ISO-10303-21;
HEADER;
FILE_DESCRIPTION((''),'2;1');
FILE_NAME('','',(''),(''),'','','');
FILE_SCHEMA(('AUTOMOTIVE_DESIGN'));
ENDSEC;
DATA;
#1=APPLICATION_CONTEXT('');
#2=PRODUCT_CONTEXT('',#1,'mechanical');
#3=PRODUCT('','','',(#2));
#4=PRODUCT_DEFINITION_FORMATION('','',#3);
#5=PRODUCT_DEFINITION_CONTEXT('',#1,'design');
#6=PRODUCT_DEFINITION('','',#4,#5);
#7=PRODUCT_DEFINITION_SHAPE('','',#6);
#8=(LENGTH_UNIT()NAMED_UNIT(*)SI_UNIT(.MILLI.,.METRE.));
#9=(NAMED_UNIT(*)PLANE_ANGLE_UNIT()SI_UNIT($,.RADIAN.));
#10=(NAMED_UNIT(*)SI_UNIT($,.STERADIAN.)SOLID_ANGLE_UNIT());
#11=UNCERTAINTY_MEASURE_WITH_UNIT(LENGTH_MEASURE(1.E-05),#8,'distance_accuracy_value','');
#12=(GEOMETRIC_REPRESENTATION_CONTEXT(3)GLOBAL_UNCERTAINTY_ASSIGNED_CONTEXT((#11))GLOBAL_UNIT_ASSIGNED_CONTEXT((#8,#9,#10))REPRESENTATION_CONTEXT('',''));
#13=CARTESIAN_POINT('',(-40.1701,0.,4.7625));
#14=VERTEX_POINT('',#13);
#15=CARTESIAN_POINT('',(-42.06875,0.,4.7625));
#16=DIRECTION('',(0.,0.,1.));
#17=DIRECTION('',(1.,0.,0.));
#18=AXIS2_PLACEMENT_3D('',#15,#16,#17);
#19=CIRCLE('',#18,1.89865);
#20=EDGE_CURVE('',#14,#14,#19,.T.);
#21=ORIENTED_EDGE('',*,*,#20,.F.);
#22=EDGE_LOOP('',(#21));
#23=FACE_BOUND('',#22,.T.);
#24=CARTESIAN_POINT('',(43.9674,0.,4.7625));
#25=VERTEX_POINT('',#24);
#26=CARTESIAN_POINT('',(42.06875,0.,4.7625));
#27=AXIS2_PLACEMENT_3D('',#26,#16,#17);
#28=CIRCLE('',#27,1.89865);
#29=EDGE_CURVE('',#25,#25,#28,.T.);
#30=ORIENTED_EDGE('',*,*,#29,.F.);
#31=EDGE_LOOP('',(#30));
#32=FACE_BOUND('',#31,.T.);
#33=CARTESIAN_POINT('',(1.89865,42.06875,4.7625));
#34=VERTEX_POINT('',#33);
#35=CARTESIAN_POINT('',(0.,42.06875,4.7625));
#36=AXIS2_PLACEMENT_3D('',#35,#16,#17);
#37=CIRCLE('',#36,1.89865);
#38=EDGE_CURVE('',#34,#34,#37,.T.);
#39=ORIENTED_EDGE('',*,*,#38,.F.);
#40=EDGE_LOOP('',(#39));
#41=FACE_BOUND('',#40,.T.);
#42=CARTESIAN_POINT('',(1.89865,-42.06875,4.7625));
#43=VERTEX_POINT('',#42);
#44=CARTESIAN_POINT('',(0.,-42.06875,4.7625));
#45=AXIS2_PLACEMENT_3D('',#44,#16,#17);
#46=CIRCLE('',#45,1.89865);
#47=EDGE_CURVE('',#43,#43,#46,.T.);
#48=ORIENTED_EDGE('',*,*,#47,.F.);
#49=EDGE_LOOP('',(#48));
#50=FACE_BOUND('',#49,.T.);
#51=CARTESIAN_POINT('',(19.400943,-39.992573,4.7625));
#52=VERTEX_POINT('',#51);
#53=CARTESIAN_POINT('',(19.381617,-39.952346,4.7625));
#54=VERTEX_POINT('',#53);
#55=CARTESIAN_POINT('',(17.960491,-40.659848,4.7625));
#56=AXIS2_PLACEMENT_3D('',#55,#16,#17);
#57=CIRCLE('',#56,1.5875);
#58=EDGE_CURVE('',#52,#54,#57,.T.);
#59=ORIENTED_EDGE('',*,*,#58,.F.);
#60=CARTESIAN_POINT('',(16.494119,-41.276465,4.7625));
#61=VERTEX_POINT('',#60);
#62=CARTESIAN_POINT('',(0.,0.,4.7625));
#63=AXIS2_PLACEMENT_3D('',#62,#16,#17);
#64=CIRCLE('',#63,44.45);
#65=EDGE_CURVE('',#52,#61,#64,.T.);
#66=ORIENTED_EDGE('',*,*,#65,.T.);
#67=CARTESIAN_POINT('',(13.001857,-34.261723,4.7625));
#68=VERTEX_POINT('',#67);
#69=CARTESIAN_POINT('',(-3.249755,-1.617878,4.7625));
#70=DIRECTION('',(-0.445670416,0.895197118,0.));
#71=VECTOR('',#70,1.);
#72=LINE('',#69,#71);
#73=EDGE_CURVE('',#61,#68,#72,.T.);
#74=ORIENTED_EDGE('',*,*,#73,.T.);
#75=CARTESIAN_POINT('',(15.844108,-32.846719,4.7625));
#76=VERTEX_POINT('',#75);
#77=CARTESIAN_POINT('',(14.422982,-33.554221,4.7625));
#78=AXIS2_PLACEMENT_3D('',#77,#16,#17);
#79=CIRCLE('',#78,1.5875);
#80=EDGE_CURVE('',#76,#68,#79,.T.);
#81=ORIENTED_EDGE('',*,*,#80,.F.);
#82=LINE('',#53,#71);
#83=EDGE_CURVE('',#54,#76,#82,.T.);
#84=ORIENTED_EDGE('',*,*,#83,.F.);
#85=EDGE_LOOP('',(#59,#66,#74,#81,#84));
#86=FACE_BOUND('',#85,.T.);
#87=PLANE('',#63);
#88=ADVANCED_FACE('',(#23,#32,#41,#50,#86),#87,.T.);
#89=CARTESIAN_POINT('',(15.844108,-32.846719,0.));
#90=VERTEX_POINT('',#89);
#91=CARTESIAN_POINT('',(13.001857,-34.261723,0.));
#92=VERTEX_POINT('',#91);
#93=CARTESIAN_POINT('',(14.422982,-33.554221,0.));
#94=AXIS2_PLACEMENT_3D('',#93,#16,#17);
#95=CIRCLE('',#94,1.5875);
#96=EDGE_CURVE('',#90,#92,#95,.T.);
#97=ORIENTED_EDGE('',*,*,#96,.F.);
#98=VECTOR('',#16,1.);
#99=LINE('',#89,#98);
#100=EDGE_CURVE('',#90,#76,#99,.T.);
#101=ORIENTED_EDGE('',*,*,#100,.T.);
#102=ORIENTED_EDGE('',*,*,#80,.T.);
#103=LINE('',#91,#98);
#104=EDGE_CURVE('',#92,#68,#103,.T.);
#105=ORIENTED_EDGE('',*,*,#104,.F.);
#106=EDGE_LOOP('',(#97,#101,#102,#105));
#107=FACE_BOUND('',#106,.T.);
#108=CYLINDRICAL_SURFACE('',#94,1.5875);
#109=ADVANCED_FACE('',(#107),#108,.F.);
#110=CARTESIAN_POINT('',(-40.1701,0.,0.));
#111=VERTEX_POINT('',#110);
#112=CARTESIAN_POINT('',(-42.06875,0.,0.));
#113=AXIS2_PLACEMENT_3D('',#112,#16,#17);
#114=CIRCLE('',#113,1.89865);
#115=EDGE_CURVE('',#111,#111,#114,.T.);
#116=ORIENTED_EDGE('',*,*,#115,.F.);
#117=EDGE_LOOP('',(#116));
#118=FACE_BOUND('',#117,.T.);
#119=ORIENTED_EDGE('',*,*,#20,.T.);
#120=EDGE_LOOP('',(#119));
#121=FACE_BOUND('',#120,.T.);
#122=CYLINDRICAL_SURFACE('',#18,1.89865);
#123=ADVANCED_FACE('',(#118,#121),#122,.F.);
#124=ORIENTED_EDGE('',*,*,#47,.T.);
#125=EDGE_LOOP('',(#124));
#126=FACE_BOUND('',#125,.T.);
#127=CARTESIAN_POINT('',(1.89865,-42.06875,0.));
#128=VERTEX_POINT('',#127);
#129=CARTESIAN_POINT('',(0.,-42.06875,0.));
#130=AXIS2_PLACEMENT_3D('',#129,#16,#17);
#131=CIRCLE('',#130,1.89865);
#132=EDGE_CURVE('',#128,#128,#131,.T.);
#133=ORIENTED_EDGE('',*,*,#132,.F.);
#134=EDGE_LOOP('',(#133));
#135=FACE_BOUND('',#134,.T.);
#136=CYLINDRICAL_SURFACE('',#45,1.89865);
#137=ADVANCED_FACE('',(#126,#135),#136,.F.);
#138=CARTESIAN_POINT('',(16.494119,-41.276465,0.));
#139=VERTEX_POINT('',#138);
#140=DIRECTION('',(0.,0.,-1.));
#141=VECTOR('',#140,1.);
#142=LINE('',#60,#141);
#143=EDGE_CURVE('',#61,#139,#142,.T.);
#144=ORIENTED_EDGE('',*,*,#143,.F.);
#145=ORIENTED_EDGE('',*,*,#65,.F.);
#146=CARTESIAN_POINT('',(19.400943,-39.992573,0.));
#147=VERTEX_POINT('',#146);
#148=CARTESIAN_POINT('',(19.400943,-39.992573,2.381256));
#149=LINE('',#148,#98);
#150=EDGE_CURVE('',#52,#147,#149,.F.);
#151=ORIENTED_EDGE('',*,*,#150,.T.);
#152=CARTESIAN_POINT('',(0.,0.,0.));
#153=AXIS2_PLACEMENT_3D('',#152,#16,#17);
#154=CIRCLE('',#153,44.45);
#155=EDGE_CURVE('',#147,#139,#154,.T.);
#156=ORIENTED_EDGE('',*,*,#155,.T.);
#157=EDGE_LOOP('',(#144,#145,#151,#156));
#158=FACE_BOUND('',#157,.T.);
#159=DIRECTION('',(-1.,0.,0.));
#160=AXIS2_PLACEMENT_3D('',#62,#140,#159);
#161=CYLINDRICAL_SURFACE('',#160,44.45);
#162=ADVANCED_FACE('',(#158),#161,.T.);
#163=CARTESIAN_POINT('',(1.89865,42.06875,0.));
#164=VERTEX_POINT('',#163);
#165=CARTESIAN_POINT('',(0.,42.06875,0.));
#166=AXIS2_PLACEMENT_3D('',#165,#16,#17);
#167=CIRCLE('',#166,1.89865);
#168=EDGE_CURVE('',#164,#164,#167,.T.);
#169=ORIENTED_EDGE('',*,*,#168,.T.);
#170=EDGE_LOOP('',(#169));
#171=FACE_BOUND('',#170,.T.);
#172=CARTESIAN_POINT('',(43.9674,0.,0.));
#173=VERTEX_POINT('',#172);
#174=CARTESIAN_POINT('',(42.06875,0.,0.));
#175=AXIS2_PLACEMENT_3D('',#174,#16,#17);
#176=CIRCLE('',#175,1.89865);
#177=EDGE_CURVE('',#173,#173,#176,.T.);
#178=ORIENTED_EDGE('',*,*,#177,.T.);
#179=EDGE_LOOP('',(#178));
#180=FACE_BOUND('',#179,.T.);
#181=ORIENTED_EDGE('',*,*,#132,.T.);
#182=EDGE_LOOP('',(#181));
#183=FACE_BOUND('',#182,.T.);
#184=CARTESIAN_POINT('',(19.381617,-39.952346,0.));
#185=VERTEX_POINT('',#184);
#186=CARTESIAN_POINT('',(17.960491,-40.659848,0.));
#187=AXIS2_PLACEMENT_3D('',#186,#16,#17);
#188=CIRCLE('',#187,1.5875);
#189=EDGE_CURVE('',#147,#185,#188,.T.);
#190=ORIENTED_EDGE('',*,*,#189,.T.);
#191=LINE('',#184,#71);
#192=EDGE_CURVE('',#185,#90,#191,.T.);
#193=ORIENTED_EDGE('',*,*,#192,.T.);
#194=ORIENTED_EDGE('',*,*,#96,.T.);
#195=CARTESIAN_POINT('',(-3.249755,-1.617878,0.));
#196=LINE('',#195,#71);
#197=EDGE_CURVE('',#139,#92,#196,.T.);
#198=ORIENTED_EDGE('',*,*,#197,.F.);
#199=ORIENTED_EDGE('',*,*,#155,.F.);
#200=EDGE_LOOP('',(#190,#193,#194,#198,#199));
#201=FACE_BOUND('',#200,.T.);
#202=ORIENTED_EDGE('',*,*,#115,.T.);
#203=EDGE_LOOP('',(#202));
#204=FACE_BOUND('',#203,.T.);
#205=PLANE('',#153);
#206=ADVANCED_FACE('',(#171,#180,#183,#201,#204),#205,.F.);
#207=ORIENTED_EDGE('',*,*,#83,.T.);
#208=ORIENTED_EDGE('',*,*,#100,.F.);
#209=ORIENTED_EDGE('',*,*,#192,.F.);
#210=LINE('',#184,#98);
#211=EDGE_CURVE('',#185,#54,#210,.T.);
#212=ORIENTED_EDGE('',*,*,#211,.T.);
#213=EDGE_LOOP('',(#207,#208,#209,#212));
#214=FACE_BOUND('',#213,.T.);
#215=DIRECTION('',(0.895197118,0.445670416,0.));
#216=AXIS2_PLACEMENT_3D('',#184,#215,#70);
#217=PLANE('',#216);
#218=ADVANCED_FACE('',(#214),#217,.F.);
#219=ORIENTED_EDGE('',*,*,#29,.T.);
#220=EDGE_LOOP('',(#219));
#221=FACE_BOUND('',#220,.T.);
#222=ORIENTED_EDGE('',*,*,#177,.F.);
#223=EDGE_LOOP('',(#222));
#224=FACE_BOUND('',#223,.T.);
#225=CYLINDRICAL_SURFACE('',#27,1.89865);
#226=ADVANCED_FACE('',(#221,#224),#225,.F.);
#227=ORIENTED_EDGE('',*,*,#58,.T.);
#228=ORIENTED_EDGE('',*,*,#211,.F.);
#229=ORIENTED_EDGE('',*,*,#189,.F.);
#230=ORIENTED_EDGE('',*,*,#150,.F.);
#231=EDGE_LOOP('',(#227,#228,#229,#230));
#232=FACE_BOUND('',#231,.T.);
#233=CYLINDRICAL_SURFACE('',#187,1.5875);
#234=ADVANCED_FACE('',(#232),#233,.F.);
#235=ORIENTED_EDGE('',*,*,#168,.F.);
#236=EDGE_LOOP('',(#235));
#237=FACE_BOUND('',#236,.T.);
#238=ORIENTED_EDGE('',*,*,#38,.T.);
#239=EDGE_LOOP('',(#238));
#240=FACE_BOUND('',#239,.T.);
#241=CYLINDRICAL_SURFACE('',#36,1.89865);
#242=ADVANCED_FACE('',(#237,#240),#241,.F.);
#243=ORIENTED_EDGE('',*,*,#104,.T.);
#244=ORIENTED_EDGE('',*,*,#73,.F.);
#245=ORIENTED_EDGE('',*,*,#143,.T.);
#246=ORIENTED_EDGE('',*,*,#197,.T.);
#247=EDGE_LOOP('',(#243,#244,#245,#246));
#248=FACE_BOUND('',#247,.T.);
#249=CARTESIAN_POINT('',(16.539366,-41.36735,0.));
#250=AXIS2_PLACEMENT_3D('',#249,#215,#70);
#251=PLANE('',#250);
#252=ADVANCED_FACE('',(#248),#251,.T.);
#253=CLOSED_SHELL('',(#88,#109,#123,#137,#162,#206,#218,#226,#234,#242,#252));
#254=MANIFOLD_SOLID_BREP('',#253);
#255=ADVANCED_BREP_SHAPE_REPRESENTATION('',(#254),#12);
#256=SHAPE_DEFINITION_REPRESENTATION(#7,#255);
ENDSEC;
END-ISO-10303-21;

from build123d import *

# Parameters (mm, degrees)
SKETCH2_R               = 44.45
BOSS_EXTRUDE1_DEPTH     = 4.7625
F_6_CLEARANCE_HOLE1_D   = 3.7973
CIRPATTERN1_COUNT       = 4
CUT_EXTRUDE1_DEPTH      = 64.041941644
CUT_EXTRUDE1_DEPTH_BACK = 64.041941644


with BuildPart() as part:
    # Sketch2 → Boss-Extrude1 (new body)
    with BuildSketch(Plane.XY):
        with Locations(Location((0, 0, 0), (0, 0, 180))):
            Circle(SKETCH2_R)
    extrude(amount=BOSS_EXTRUDE1_DEPTH)

    # #6 Clearance Hole1 (through all)
    with Locations(Plane.XY.offset(4.7625)):
        with Locations((0, 42.06875)):
            f_6_clearance_hole1 = Hole(F_6_CLEARANCE_HOLE1_D / 2)

    # CirPattern1: #6 Clearance Hole1 ×4 about axis
    cirpattern1_axis = Axis((0, 0, 0), (0, 0, 1))
    for i in range(1, CIRPATTERN1_COUNT):
        add(f_6_clearance_hole1.rotate(cirpattern1_axis, i * 360 / CIRPATTERN1_COUNT), mode=Mode.SUBTRACT)

    # Sketch5 → Cut-Extrude1 (cut, two sides: drawn at the far end of the back side and taken through both)
    with BuildSketch(Plane.XY.offset(4.7625).offset(-CUT_EXTRUDE1_DEPTH_BACK)):
        with BuildLine():
            Line((16.539365803, -41.367349975), (13.001856878, -34.261722849))
            ThreePointArc((13.001856878, -34.261722849), (13.715480519, -32.133095639), (15.844107729, -32.846719279))
            Line((15.844107729, -32.846719279), (19.381616653, -39.952346405))
            ThreePointArc((19.381616653, -39.952346405), (18.667993013, -42.080973615), (16.539365803, -41.367349975))
        make_face()
    extrude(amount=CUT_EXTRUDE1_DEPTH + CUT_EXTRUDE1_DEPTH_BACK, mode=Mode.SUBTRACT)


solid = part.part
